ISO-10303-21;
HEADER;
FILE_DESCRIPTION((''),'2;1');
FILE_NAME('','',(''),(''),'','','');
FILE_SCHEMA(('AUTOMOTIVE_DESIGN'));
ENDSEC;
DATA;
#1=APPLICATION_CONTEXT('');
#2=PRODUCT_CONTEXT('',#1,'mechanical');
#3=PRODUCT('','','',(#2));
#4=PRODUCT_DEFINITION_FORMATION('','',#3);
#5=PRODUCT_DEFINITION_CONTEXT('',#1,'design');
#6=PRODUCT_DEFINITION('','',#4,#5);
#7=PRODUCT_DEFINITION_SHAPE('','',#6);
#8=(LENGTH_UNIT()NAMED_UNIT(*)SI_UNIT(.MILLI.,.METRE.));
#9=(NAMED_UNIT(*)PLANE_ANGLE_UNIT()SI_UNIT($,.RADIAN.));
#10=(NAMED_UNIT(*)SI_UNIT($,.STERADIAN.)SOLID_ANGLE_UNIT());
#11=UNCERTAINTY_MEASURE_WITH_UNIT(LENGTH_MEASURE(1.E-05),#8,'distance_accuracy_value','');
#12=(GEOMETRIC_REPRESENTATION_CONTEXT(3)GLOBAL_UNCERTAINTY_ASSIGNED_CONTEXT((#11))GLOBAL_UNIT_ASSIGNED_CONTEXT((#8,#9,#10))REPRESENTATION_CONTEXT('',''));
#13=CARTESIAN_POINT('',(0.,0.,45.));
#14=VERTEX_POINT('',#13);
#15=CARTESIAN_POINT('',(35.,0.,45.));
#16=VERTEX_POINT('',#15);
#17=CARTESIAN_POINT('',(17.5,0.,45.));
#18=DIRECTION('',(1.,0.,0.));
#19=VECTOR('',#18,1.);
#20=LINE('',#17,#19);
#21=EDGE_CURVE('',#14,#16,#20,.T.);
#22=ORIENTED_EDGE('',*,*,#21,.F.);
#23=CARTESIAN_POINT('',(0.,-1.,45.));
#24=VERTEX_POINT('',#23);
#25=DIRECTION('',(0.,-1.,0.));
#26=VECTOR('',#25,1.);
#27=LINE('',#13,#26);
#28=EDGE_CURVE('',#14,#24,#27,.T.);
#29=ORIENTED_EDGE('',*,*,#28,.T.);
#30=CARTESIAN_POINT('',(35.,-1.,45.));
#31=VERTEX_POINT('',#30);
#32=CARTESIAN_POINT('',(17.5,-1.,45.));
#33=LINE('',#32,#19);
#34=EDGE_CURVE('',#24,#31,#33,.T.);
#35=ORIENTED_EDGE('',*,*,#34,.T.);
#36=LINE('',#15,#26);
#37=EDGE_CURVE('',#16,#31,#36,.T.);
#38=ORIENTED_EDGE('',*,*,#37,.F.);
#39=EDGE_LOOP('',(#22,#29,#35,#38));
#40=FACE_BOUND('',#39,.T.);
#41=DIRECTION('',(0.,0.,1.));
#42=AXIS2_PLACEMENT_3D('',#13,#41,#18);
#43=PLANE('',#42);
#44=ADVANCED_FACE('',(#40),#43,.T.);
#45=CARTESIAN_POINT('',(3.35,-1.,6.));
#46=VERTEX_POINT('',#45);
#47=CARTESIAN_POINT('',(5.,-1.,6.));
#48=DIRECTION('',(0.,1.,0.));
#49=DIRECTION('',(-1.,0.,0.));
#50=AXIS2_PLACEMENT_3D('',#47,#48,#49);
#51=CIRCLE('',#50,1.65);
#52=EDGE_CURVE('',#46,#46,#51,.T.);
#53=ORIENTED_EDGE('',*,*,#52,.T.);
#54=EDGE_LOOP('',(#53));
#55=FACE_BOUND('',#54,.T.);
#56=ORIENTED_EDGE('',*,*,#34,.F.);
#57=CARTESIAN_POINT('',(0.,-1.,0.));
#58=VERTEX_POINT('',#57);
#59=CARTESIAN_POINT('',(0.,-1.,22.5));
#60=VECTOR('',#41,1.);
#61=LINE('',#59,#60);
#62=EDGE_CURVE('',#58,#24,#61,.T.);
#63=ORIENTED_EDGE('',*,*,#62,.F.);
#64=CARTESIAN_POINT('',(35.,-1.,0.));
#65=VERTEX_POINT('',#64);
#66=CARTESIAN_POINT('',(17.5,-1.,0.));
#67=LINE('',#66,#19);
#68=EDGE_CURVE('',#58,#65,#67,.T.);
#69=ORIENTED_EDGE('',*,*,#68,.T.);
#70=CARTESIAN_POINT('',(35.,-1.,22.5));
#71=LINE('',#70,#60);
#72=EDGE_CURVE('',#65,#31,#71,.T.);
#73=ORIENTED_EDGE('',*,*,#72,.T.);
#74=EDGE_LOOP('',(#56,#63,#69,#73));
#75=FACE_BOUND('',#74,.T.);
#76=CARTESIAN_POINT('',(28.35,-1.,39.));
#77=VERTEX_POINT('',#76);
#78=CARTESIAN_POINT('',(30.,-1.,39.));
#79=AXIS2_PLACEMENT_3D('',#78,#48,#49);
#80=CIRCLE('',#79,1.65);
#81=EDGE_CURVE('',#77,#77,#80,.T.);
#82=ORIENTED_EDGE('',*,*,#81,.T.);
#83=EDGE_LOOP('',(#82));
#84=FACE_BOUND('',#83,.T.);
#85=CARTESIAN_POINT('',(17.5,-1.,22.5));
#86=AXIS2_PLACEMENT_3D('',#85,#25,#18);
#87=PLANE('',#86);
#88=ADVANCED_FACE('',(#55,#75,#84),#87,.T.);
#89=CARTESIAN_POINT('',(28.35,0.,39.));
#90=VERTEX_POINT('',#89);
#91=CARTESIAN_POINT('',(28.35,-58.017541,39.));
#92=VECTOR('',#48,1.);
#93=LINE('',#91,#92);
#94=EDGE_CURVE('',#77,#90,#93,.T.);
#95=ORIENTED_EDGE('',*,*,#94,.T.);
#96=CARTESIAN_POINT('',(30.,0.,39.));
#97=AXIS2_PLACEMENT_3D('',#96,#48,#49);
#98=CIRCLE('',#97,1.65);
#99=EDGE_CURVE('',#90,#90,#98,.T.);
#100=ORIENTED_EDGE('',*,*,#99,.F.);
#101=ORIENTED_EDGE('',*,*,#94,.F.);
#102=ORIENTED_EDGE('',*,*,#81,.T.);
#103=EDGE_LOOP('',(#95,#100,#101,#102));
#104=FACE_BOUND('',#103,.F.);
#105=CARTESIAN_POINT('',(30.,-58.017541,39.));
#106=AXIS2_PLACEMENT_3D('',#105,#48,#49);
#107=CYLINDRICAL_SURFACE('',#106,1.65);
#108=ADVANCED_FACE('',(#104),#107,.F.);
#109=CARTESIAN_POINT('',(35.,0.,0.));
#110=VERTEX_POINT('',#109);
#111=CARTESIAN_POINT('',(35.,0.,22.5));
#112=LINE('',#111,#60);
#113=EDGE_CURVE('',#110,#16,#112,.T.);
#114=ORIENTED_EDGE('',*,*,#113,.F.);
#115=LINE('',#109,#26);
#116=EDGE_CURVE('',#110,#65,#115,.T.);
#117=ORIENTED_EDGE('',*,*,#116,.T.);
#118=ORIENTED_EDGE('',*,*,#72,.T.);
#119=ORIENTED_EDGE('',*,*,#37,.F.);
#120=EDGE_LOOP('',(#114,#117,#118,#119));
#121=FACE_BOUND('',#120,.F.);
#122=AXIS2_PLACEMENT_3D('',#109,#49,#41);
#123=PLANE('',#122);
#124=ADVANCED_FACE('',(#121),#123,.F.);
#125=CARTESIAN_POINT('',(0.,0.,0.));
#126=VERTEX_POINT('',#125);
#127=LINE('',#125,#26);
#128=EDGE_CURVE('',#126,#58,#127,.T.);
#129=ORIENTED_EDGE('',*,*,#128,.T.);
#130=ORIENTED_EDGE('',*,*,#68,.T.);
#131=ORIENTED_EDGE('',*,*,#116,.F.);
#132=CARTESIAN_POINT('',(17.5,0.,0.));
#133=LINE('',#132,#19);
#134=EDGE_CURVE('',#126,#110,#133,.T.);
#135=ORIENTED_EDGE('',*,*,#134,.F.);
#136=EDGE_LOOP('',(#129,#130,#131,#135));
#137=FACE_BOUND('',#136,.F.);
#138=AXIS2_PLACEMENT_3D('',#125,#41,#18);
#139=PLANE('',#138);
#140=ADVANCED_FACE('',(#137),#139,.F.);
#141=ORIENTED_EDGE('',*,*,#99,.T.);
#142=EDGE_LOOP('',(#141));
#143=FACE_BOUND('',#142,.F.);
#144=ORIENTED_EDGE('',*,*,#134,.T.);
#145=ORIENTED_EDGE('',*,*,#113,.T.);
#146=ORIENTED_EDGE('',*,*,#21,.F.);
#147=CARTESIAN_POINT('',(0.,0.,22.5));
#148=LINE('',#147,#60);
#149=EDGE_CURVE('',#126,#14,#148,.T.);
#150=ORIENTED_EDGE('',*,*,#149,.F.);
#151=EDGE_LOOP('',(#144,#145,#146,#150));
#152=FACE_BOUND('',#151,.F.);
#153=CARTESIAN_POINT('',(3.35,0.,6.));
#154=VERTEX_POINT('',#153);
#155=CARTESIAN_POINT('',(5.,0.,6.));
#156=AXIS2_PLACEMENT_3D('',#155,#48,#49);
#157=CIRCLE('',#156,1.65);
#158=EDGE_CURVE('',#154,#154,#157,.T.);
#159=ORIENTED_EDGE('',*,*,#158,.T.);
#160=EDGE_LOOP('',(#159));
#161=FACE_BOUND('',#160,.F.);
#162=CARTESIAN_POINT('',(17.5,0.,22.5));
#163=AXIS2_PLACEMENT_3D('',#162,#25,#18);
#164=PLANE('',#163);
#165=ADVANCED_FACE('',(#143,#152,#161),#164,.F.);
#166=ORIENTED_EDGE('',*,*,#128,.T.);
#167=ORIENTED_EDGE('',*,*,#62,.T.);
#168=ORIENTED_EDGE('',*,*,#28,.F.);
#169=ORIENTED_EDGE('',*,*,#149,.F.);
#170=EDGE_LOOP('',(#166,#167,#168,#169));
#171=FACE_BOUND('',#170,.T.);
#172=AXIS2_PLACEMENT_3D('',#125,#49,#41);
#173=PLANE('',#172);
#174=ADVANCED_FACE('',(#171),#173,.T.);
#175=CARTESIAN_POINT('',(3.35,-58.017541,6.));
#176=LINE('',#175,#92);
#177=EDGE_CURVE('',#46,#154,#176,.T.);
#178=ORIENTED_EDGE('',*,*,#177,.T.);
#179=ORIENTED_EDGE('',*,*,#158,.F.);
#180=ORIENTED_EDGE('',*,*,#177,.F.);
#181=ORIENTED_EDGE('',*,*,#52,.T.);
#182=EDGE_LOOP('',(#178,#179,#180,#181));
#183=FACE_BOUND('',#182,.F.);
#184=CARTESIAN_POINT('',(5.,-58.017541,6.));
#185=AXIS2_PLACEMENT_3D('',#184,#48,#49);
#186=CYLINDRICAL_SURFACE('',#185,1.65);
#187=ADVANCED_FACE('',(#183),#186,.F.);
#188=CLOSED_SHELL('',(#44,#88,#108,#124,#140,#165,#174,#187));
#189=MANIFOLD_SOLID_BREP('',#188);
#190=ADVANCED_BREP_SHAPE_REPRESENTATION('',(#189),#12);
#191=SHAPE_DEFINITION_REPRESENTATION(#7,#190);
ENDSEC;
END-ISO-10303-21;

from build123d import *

# Parameters (mm, degrees)
F0_W     = 35
F0_H     = 45
F1_DEPTH = 1
F3_D     = 3.3


with BuildPart() as f1:
    # F0 (on Front) → F1 (new body)
    with BuildSketch(Plane.XZ):
        with Locations((17.5, 22.5)):
            Rectangle(F0_W, F0_H)
    extrude(amount=F1_DEPTH)

    # F3 (through all)
    with Locations(Plane.XZ.offset(1)):
        with Locations((30, 39), (5, 6)):
            Hole(F3_D / 2)


solid = f1.part
